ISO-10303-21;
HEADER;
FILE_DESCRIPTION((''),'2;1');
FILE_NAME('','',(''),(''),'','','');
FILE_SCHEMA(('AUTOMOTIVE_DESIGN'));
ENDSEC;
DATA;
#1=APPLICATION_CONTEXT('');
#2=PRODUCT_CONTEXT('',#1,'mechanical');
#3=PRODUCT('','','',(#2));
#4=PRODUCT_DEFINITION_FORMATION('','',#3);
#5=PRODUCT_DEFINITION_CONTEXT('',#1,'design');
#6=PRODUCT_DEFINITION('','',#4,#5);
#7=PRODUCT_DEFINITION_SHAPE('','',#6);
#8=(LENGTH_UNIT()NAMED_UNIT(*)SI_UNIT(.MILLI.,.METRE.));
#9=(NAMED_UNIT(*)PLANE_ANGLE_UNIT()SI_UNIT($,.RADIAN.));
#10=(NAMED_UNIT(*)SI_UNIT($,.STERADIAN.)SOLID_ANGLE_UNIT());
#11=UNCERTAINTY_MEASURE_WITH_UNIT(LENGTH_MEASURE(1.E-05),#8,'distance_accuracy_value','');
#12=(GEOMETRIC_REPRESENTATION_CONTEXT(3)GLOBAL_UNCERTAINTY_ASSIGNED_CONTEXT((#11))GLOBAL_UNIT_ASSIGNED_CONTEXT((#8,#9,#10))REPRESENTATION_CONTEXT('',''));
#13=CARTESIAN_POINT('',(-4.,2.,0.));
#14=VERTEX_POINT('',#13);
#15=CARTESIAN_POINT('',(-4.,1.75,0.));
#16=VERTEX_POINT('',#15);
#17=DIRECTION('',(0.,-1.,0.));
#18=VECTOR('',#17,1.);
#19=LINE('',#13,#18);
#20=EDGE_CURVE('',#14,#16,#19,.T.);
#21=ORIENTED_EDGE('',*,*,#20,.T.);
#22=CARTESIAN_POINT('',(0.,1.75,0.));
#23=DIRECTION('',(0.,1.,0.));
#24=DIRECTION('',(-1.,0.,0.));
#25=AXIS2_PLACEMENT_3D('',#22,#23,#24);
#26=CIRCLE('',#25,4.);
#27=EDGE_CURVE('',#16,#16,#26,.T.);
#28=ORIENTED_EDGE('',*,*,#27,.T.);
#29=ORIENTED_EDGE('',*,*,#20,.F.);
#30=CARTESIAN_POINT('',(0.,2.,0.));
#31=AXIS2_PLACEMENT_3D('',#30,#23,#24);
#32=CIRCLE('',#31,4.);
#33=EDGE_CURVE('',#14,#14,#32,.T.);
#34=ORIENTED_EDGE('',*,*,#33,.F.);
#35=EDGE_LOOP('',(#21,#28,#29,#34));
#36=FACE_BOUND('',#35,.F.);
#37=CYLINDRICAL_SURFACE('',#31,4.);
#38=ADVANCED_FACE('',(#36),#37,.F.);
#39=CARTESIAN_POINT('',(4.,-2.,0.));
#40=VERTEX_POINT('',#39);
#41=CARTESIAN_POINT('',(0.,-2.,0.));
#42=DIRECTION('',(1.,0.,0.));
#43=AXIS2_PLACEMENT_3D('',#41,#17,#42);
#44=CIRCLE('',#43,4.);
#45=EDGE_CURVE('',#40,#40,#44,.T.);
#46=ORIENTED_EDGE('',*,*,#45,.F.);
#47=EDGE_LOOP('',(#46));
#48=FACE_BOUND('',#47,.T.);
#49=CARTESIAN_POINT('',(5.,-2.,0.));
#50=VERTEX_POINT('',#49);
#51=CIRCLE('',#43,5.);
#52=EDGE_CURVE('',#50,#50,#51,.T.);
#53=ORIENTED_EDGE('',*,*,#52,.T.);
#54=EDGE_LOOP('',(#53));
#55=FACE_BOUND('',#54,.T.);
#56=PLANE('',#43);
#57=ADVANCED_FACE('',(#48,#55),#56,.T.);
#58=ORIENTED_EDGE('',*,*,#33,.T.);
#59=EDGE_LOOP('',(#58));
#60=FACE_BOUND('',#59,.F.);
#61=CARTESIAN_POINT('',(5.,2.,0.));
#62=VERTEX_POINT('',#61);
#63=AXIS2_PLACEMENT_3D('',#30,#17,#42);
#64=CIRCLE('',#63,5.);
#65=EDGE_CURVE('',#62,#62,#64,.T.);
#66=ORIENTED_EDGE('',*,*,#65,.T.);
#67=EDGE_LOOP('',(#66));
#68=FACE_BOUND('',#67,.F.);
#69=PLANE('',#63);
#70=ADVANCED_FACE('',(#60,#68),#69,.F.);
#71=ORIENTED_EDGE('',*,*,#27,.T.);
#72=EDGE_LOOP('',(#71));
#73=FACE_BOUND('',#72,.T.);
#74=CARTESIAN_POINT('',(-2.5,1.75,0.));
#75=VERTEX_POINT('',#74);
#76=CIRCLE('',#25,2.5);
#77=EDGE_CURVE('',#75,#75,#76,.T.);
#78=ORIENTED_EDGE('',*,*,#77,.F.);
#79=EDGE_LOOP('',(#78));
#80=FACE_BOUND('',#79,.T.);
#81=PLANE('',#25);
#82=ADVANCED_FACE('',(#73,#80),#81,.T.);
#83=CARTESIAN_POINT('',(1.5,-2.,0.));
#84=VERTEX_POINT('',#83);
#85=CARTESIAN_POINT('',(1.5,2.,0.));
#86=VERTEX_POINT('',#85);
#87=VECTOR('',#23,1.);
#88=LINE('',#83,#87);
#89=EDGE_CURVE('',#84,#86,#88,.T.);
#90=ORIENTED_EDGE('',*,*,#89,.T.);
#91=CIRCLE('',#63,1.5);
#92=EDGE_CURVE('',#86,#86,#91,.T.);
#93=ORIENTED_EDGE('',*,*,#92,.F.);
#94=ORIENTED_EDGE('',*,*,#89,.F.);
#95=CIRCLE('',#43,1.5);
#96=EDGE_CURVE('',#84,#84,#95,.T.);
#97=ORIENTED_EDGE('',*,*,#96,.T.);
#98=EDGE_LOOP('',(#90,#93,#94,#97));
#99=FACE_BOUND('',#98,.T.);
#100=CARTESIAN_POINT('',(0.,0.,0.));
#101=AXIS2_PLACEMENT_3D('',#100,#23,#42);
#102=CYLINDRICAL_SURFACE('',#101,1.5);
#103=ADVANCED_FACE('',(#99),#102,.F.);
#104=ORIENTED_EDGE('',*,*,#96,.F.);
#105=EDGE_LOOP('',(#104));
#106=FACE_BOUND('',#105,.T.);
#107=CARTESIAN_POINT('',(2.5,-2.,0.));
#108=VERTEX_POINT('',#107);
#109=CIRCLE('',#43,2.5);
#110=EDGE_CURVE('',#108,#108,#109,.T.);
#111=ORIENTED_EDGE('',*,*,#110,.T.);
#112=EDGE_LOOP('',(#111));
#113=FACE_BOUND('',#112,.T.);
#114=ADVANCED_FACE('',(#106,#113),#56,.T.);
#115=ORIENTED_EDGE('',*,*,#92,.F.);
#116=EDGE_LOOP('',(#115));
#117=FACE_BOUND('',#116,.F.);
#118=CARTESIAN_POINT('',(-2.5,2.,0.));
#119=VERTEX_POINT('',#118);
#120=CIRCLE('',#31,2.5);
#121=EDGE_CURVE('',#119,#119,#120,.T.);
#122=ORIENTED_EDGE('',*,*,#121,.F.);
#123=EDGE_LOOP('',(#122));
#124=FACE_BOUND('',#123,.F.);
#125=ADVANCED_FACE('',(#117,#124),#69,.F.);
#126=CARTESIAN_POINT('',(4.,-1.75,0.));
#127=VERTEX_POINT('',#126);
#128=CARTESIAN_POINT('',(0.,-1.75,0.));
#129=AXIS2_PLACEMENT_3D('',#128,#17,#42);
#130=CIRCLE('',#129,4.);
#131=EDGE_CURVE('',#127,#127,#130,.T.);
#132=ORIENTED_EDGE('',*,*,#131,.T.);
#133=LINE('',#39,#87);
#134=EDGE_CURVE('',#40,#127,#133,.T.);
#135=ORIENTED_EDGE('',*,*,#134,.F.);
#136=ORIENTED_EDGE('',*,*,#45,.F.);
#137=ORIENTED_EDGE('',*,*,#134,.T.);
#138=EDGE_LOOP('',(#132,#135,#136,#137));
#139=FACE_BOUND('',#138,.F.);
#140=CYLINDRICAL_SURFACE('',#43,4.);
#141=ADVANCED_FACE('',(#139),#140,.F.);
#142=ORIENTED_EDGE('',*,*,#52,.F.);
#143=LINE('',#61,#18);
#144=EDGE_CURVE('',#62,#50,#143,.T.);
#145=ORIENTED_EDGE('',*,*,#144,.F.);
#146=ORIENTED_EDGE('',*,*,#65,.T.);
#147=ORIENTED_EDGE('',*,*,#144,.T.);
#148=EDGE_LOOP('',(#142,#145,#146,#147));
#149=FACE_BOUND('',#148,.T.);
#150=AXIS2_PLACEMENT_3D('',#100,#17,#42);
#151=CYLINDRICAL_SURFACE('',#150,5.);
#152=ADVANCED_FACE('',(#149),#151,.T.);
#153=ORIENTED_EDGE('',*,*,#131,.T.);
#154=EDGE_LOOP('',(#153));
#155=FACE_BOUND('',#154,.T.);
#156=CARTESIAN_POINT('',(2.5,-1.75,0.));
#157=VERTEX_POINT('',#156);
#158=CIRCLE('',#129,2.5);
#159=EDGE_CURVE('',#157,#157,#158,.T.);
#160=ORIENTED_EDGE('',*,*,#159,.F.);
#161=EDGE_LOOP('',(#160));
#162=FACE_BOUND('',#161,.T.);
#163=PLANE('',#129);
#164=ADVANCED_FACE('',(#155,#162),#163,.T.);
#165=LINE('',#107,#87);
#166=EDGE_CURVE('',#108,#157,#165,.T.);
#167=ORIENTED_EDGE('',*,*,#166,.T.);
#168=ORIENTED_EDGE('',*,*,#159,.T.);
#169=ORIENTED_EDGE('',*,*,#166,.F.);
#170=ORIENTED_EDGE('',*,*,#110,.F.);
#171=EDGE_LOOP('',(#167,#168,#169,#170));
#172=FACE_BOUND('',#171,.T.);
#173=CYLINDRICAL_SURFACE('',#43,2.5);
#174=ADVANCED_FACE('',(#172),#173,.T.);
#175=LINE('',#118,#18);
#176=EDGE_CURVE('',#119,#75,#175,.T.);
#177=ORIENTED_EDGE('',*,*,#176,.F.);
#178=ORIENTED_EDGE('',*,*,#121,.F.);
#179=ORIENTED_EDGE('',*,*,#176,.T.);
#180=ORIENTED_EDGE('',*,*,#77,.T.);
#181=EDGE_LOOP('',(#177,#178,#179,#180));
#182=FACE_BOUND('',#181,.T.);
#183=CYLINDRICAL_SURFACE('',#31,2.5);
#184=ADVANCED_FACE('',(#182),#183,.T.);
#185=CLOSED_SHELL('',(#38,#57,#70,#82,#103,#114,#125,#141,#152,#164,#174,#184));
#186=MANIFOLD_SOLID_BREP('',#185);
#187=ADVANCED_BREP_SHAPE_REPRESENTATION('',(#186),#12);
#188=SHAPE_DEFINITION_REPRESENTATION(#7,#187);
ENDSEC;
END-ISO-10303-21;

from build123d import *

# Parameters (mm, degrees)
F0_R     = 5
F0_R_2   = 1.5
F1_DEPTH = 2
F2_R     = 4
F2_R_2   = 2.5
F3_DEPTH = 0.25
F4_R     = 4
F4_R_2   = 2.5
F5_DEPTH = 0.25


with BuildPart() as f1:
    # F0 (on Front) → F1 (new body, symmetric)
    with BuildSketch(Plane.XZ):
        Circle(F0_R)
        Circle(F0_R_2, mode=Mode.SUBTRACT)
    extrude(amount=F1_DEPTH, both=True)

    # F2 (on face) → F3 (cut)
    with BuildSketch(Plane.XZ.offset(2)):
        Circle(F2_R)
        Circle(F2_R_2, mode=Mode.SUBTRACT)
    extrude(amount=-F3_DEPTH, mode=Mode.SUBTRACT)

    # F4 (on face) → F5 (cut)
    with BuildSketch(Plane(origin=(0, 2, 0), x_dir=(-1, 0, 0), z_dir=(0, 1, 0))):
        Circle(F4_R)
        Circle(F4_R_2, mode=Mode.SUBTRACT)
    extrude(amount=-F5_DEPTH, mode=Mode.SUBTRACT)


solid = f1.part
